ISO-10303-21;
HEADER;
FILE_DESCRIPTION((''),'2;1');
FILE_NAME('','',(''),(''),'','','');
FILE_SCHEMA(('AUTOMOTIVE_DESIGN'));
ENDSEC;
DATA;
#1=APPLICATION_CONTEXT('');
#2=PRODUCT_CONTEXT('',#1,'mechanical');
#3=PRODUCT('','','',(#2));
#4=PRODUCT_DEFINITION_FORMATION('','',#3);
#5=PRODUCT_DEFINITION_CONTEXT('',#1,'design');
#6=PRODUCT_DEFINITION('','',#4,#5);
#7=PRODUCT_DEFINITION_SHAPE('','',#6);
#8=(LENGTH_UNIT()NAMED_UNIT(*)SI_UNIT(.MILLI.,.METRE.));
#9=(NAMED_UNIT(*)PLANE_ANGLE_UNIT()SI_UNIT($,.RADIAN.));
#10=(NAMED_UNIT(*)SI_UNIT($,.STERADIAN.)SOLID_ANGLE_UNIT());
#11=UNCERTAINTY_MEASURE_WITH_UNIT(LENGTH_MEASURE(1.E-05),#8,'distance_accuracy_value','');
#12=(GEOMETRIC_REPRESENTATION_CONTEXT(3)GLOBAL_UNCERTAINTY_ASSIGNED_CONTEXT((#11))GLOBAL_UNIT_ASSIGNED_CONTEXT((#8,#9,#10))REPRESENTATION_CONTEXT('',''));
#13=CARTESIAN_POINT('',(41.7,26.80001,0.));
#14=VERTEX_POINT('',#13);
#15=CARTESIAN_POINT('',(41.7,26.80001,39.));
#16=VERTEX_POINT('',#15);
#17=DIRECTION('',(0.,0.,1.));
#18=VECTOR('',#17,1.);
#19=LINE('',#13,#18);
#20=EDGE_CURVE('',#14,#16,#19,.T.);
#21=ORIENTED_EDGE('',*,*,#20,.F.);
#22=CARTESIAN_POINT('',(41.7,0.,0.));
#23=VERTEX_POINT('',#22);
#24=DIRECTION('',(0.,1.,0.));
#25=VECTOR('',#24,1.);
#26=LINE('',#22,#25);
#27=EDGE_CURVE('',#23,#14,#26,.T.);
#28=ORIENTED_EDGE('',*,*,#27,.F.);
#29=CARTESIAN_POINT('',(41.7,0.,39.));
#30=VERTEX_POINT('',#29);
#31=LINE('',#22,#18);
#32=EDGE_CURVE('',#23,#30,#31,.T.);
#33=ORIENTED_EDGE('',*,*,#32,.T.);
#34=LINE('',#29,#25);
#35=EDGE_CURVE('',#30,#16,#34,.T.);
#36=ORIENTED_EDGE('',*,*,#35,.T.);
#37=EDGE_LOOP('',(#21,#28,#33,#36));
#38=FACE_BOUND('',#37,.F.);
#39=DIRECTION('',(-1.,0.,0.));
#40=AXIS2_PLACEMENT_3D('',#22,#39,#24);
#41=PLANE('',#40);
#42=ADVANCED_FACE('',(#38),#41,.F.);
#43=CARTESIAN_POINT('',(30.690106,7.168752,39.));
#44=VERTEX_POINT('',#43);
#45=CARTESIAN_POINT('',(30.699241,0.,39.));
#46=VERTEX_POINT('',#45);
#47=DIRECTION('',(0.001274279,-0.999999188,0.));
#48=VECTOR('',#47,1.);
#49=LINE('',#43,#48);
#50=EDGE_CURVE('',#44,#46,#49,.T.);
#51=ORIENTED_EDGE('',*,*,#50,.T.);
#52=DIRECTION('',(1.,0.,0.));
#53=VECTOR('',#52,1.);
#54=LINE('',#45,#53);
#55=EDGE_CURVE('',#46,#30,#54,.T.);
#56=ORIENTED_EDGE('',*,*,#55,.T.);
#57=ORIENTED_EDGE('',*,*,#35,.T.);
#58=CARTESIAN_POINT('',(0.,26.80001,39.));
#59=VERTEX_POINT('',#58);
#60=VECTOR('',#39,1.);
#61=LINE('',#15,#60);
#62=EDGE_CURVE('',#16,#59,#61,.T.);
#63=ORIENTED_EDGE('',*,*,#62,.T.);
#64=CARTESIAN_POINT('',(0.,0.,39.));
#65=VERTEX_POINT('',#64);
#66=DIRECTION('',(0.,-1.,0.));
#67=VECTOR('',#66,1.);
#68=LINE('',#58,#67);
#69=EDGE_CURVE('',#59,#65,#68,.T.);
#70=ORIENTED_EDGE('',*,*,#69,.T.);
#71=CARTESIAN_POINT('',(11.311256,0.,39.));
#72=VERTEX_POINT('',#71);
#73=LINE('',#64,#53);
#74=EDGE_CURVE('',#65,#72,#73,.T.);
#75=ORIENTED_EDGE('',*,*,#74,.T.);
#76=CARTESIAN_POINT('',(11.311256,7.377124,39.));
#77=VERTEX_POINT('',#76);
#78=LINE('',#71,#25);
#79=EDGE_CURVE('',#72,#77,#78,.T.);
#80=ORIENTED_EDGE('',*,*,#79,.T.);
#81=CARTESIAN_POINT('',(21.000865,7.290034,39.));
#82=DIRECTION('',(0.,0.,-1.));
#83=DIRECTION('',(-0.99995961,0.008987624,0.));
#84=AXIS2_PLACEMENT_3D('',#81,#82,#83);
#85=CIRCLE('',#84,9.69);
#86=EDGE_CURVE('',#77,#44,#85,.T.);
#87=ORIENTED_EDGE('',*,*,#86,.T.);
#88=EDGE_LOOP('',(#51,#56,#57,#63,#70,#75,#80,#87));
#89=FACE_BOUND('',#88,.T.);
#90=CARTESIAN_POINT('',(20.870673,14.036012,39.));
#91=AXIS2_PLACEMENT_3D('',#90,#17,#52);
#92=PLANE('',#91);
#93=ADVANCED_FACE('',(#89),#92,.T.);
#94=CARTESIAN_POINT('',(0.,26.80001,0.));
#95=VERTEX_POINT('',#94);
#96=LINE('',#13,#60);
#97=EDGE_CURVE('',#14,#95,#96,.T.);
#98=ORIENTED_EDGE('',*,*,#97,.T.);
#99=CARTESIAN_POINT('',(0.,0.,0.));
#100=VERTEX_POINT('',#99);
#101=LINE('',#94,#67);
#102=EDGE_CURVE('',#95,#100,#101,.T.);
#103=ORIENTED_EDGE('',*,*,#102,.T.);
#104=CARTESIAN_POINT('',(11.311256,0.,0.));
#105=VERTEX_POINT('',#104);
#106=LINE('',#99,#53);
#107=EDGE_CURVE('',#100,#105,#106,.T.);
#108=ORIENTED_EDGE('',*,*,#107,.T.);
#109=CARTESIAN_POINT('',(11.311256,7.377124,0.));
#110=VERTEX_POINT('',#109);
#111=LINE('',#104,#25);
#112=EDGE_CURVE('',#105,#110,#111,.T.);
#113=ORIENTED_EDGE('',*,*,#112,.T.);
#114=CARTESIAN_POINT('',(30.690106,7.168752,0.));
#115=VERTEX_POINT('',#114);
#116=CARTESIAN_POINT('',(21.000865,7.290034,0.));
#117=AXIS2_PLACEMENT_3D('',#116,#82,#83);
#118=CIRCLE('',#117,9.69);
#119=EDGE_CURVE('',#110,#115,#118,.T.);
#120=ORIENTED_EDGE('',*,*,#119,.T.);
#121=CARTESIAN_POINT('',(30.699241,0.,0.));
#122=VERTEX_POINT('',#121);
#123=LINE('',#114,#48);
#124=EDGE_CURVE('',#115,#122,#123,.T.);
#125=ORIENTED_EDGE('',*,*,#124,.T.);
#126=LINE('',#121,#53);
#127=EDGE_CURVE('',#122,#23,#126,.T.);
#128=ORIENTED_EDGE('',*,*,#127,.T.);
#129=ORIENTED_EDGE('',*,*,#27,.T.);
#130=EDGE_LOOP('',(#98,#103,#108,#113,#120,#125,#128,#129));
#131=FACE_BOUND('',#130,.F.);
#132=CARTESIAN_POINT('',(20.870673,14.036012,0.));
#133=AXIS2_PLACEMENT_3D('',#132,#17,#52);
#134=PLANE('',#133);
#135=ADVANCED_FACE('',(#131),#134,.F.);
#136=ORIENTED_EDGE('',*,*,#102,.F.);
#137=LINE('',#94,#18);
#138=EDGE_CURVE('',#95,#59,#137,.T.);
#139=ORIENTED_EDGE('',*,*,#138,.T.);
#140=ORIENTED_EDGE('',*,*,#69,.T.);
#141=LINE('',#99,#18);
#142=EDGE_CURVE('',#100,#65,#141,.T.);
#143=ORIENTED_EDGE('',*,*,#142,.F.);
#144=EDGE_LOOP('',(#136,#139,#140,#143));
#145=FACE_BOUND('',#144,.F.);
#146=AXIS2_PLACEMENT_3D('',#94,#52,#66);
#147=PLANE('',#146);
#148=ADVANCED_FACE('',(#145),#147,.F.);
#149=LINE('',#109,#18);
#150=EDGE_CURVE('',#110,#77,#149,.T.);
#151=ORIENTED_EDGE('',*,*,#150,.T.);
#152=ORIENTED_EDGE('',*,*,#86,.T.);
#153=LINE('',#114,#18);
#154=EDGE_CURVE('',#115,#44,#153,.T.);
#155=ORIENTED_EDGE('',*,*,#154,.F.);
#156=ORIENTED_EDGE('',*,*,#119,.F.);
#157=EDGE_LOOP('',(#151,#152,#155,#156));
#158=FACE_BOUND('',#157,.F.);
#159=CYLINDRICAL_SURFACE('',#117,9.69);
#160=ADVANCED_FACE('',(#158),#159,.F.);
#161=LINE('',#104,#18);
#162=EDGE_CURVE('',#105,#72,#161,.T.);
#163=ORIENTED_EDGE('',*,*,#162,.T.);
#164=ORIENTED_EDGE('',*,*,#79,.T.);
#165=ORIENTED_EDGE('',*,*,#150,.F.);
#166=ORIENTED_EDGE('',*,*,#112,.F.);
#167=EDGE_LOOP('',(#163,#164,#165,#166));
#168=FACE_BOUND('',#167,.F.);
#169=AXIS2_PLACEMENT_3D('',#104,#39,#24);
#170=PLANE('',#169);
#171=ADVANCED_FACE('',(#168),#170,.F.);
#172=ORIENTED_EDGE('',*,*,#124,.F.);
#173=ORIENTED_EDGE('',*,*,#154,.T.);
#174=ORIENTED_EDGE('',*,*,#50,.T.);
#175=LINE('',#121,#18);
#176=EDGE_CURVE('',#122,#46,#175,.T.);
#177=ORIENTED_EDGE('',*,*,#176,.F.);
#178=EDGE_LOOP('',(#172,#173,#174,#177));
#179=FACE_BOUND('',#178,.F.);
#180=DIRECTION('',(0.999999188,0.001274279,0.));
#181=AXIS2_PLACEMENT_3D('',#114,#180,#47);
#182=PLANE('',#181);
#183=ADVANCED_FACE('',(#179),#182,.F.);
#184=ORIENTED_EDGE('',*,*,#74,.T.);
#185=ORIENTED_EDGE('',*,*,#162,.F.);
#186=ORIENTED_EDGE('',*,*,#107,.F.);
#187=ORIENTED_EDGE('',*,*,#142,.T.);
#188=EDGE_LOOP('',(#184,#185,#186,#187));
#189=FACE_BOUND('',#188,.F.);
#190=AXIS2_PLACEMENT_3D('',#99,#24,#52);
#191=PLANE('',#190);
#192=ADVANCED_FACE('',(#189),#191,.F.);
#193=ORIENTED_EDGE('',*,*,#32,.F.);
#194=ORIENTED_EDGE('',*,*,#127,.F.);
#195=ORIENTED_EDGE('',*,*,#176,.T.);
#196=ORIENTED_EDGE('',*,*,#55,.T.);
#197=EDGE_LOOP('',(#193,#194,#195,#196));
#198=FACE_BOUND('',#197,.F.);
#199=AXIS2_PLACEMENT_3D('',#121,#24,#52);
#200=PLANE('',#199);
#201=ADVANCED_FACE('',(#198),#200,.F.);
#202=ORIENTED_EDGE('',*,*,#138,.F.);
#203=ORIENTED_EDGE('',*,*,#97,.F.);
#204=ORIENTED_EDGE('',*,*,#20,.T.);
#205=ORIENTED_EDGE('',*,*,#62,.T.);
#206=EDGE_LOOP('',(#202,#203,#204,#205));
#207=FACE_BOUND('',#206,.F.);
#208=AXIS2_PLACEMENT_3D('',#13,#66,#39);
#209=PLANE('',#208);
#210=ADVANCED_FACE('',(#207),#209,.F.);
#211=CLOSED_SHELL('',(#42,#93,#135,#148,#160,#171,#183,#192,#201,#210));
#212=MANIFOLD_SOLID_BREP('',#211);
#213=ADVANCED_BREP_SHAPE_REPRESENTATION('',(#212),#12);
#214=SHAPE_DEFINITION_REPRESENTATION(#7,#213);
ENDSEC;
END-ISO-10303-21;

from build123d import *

# Parameters (mm, degrees)
F1_DEPTH = 39


with BuildPart() as f1:
    # F0 (on Top) → F1 (new body)
    with BuildSketch(Plane.XY):
        with BuildLine():
            Line((0, 26.80001), (0, 0))
            Line((0, 0), (11.311256, 0))
            Line((11.311256, 0), (11.311256, 7.377124))
            ThreePointArc((11.311256, 7.377124), (21.105051, 16.979474), (30.690106, 7.168752))
            Line((30.690106, 7.168752), (30.699241, 0))
            Line((30.699241, 0), (41.7, 0))
            Line((41.7, 0), (41.7, 26.80001))
            Line((41.7, 26.80001), (0, 26.80001))
        make_face()
    extrude(amount=F1_DEPTH)


solid = f1.part
